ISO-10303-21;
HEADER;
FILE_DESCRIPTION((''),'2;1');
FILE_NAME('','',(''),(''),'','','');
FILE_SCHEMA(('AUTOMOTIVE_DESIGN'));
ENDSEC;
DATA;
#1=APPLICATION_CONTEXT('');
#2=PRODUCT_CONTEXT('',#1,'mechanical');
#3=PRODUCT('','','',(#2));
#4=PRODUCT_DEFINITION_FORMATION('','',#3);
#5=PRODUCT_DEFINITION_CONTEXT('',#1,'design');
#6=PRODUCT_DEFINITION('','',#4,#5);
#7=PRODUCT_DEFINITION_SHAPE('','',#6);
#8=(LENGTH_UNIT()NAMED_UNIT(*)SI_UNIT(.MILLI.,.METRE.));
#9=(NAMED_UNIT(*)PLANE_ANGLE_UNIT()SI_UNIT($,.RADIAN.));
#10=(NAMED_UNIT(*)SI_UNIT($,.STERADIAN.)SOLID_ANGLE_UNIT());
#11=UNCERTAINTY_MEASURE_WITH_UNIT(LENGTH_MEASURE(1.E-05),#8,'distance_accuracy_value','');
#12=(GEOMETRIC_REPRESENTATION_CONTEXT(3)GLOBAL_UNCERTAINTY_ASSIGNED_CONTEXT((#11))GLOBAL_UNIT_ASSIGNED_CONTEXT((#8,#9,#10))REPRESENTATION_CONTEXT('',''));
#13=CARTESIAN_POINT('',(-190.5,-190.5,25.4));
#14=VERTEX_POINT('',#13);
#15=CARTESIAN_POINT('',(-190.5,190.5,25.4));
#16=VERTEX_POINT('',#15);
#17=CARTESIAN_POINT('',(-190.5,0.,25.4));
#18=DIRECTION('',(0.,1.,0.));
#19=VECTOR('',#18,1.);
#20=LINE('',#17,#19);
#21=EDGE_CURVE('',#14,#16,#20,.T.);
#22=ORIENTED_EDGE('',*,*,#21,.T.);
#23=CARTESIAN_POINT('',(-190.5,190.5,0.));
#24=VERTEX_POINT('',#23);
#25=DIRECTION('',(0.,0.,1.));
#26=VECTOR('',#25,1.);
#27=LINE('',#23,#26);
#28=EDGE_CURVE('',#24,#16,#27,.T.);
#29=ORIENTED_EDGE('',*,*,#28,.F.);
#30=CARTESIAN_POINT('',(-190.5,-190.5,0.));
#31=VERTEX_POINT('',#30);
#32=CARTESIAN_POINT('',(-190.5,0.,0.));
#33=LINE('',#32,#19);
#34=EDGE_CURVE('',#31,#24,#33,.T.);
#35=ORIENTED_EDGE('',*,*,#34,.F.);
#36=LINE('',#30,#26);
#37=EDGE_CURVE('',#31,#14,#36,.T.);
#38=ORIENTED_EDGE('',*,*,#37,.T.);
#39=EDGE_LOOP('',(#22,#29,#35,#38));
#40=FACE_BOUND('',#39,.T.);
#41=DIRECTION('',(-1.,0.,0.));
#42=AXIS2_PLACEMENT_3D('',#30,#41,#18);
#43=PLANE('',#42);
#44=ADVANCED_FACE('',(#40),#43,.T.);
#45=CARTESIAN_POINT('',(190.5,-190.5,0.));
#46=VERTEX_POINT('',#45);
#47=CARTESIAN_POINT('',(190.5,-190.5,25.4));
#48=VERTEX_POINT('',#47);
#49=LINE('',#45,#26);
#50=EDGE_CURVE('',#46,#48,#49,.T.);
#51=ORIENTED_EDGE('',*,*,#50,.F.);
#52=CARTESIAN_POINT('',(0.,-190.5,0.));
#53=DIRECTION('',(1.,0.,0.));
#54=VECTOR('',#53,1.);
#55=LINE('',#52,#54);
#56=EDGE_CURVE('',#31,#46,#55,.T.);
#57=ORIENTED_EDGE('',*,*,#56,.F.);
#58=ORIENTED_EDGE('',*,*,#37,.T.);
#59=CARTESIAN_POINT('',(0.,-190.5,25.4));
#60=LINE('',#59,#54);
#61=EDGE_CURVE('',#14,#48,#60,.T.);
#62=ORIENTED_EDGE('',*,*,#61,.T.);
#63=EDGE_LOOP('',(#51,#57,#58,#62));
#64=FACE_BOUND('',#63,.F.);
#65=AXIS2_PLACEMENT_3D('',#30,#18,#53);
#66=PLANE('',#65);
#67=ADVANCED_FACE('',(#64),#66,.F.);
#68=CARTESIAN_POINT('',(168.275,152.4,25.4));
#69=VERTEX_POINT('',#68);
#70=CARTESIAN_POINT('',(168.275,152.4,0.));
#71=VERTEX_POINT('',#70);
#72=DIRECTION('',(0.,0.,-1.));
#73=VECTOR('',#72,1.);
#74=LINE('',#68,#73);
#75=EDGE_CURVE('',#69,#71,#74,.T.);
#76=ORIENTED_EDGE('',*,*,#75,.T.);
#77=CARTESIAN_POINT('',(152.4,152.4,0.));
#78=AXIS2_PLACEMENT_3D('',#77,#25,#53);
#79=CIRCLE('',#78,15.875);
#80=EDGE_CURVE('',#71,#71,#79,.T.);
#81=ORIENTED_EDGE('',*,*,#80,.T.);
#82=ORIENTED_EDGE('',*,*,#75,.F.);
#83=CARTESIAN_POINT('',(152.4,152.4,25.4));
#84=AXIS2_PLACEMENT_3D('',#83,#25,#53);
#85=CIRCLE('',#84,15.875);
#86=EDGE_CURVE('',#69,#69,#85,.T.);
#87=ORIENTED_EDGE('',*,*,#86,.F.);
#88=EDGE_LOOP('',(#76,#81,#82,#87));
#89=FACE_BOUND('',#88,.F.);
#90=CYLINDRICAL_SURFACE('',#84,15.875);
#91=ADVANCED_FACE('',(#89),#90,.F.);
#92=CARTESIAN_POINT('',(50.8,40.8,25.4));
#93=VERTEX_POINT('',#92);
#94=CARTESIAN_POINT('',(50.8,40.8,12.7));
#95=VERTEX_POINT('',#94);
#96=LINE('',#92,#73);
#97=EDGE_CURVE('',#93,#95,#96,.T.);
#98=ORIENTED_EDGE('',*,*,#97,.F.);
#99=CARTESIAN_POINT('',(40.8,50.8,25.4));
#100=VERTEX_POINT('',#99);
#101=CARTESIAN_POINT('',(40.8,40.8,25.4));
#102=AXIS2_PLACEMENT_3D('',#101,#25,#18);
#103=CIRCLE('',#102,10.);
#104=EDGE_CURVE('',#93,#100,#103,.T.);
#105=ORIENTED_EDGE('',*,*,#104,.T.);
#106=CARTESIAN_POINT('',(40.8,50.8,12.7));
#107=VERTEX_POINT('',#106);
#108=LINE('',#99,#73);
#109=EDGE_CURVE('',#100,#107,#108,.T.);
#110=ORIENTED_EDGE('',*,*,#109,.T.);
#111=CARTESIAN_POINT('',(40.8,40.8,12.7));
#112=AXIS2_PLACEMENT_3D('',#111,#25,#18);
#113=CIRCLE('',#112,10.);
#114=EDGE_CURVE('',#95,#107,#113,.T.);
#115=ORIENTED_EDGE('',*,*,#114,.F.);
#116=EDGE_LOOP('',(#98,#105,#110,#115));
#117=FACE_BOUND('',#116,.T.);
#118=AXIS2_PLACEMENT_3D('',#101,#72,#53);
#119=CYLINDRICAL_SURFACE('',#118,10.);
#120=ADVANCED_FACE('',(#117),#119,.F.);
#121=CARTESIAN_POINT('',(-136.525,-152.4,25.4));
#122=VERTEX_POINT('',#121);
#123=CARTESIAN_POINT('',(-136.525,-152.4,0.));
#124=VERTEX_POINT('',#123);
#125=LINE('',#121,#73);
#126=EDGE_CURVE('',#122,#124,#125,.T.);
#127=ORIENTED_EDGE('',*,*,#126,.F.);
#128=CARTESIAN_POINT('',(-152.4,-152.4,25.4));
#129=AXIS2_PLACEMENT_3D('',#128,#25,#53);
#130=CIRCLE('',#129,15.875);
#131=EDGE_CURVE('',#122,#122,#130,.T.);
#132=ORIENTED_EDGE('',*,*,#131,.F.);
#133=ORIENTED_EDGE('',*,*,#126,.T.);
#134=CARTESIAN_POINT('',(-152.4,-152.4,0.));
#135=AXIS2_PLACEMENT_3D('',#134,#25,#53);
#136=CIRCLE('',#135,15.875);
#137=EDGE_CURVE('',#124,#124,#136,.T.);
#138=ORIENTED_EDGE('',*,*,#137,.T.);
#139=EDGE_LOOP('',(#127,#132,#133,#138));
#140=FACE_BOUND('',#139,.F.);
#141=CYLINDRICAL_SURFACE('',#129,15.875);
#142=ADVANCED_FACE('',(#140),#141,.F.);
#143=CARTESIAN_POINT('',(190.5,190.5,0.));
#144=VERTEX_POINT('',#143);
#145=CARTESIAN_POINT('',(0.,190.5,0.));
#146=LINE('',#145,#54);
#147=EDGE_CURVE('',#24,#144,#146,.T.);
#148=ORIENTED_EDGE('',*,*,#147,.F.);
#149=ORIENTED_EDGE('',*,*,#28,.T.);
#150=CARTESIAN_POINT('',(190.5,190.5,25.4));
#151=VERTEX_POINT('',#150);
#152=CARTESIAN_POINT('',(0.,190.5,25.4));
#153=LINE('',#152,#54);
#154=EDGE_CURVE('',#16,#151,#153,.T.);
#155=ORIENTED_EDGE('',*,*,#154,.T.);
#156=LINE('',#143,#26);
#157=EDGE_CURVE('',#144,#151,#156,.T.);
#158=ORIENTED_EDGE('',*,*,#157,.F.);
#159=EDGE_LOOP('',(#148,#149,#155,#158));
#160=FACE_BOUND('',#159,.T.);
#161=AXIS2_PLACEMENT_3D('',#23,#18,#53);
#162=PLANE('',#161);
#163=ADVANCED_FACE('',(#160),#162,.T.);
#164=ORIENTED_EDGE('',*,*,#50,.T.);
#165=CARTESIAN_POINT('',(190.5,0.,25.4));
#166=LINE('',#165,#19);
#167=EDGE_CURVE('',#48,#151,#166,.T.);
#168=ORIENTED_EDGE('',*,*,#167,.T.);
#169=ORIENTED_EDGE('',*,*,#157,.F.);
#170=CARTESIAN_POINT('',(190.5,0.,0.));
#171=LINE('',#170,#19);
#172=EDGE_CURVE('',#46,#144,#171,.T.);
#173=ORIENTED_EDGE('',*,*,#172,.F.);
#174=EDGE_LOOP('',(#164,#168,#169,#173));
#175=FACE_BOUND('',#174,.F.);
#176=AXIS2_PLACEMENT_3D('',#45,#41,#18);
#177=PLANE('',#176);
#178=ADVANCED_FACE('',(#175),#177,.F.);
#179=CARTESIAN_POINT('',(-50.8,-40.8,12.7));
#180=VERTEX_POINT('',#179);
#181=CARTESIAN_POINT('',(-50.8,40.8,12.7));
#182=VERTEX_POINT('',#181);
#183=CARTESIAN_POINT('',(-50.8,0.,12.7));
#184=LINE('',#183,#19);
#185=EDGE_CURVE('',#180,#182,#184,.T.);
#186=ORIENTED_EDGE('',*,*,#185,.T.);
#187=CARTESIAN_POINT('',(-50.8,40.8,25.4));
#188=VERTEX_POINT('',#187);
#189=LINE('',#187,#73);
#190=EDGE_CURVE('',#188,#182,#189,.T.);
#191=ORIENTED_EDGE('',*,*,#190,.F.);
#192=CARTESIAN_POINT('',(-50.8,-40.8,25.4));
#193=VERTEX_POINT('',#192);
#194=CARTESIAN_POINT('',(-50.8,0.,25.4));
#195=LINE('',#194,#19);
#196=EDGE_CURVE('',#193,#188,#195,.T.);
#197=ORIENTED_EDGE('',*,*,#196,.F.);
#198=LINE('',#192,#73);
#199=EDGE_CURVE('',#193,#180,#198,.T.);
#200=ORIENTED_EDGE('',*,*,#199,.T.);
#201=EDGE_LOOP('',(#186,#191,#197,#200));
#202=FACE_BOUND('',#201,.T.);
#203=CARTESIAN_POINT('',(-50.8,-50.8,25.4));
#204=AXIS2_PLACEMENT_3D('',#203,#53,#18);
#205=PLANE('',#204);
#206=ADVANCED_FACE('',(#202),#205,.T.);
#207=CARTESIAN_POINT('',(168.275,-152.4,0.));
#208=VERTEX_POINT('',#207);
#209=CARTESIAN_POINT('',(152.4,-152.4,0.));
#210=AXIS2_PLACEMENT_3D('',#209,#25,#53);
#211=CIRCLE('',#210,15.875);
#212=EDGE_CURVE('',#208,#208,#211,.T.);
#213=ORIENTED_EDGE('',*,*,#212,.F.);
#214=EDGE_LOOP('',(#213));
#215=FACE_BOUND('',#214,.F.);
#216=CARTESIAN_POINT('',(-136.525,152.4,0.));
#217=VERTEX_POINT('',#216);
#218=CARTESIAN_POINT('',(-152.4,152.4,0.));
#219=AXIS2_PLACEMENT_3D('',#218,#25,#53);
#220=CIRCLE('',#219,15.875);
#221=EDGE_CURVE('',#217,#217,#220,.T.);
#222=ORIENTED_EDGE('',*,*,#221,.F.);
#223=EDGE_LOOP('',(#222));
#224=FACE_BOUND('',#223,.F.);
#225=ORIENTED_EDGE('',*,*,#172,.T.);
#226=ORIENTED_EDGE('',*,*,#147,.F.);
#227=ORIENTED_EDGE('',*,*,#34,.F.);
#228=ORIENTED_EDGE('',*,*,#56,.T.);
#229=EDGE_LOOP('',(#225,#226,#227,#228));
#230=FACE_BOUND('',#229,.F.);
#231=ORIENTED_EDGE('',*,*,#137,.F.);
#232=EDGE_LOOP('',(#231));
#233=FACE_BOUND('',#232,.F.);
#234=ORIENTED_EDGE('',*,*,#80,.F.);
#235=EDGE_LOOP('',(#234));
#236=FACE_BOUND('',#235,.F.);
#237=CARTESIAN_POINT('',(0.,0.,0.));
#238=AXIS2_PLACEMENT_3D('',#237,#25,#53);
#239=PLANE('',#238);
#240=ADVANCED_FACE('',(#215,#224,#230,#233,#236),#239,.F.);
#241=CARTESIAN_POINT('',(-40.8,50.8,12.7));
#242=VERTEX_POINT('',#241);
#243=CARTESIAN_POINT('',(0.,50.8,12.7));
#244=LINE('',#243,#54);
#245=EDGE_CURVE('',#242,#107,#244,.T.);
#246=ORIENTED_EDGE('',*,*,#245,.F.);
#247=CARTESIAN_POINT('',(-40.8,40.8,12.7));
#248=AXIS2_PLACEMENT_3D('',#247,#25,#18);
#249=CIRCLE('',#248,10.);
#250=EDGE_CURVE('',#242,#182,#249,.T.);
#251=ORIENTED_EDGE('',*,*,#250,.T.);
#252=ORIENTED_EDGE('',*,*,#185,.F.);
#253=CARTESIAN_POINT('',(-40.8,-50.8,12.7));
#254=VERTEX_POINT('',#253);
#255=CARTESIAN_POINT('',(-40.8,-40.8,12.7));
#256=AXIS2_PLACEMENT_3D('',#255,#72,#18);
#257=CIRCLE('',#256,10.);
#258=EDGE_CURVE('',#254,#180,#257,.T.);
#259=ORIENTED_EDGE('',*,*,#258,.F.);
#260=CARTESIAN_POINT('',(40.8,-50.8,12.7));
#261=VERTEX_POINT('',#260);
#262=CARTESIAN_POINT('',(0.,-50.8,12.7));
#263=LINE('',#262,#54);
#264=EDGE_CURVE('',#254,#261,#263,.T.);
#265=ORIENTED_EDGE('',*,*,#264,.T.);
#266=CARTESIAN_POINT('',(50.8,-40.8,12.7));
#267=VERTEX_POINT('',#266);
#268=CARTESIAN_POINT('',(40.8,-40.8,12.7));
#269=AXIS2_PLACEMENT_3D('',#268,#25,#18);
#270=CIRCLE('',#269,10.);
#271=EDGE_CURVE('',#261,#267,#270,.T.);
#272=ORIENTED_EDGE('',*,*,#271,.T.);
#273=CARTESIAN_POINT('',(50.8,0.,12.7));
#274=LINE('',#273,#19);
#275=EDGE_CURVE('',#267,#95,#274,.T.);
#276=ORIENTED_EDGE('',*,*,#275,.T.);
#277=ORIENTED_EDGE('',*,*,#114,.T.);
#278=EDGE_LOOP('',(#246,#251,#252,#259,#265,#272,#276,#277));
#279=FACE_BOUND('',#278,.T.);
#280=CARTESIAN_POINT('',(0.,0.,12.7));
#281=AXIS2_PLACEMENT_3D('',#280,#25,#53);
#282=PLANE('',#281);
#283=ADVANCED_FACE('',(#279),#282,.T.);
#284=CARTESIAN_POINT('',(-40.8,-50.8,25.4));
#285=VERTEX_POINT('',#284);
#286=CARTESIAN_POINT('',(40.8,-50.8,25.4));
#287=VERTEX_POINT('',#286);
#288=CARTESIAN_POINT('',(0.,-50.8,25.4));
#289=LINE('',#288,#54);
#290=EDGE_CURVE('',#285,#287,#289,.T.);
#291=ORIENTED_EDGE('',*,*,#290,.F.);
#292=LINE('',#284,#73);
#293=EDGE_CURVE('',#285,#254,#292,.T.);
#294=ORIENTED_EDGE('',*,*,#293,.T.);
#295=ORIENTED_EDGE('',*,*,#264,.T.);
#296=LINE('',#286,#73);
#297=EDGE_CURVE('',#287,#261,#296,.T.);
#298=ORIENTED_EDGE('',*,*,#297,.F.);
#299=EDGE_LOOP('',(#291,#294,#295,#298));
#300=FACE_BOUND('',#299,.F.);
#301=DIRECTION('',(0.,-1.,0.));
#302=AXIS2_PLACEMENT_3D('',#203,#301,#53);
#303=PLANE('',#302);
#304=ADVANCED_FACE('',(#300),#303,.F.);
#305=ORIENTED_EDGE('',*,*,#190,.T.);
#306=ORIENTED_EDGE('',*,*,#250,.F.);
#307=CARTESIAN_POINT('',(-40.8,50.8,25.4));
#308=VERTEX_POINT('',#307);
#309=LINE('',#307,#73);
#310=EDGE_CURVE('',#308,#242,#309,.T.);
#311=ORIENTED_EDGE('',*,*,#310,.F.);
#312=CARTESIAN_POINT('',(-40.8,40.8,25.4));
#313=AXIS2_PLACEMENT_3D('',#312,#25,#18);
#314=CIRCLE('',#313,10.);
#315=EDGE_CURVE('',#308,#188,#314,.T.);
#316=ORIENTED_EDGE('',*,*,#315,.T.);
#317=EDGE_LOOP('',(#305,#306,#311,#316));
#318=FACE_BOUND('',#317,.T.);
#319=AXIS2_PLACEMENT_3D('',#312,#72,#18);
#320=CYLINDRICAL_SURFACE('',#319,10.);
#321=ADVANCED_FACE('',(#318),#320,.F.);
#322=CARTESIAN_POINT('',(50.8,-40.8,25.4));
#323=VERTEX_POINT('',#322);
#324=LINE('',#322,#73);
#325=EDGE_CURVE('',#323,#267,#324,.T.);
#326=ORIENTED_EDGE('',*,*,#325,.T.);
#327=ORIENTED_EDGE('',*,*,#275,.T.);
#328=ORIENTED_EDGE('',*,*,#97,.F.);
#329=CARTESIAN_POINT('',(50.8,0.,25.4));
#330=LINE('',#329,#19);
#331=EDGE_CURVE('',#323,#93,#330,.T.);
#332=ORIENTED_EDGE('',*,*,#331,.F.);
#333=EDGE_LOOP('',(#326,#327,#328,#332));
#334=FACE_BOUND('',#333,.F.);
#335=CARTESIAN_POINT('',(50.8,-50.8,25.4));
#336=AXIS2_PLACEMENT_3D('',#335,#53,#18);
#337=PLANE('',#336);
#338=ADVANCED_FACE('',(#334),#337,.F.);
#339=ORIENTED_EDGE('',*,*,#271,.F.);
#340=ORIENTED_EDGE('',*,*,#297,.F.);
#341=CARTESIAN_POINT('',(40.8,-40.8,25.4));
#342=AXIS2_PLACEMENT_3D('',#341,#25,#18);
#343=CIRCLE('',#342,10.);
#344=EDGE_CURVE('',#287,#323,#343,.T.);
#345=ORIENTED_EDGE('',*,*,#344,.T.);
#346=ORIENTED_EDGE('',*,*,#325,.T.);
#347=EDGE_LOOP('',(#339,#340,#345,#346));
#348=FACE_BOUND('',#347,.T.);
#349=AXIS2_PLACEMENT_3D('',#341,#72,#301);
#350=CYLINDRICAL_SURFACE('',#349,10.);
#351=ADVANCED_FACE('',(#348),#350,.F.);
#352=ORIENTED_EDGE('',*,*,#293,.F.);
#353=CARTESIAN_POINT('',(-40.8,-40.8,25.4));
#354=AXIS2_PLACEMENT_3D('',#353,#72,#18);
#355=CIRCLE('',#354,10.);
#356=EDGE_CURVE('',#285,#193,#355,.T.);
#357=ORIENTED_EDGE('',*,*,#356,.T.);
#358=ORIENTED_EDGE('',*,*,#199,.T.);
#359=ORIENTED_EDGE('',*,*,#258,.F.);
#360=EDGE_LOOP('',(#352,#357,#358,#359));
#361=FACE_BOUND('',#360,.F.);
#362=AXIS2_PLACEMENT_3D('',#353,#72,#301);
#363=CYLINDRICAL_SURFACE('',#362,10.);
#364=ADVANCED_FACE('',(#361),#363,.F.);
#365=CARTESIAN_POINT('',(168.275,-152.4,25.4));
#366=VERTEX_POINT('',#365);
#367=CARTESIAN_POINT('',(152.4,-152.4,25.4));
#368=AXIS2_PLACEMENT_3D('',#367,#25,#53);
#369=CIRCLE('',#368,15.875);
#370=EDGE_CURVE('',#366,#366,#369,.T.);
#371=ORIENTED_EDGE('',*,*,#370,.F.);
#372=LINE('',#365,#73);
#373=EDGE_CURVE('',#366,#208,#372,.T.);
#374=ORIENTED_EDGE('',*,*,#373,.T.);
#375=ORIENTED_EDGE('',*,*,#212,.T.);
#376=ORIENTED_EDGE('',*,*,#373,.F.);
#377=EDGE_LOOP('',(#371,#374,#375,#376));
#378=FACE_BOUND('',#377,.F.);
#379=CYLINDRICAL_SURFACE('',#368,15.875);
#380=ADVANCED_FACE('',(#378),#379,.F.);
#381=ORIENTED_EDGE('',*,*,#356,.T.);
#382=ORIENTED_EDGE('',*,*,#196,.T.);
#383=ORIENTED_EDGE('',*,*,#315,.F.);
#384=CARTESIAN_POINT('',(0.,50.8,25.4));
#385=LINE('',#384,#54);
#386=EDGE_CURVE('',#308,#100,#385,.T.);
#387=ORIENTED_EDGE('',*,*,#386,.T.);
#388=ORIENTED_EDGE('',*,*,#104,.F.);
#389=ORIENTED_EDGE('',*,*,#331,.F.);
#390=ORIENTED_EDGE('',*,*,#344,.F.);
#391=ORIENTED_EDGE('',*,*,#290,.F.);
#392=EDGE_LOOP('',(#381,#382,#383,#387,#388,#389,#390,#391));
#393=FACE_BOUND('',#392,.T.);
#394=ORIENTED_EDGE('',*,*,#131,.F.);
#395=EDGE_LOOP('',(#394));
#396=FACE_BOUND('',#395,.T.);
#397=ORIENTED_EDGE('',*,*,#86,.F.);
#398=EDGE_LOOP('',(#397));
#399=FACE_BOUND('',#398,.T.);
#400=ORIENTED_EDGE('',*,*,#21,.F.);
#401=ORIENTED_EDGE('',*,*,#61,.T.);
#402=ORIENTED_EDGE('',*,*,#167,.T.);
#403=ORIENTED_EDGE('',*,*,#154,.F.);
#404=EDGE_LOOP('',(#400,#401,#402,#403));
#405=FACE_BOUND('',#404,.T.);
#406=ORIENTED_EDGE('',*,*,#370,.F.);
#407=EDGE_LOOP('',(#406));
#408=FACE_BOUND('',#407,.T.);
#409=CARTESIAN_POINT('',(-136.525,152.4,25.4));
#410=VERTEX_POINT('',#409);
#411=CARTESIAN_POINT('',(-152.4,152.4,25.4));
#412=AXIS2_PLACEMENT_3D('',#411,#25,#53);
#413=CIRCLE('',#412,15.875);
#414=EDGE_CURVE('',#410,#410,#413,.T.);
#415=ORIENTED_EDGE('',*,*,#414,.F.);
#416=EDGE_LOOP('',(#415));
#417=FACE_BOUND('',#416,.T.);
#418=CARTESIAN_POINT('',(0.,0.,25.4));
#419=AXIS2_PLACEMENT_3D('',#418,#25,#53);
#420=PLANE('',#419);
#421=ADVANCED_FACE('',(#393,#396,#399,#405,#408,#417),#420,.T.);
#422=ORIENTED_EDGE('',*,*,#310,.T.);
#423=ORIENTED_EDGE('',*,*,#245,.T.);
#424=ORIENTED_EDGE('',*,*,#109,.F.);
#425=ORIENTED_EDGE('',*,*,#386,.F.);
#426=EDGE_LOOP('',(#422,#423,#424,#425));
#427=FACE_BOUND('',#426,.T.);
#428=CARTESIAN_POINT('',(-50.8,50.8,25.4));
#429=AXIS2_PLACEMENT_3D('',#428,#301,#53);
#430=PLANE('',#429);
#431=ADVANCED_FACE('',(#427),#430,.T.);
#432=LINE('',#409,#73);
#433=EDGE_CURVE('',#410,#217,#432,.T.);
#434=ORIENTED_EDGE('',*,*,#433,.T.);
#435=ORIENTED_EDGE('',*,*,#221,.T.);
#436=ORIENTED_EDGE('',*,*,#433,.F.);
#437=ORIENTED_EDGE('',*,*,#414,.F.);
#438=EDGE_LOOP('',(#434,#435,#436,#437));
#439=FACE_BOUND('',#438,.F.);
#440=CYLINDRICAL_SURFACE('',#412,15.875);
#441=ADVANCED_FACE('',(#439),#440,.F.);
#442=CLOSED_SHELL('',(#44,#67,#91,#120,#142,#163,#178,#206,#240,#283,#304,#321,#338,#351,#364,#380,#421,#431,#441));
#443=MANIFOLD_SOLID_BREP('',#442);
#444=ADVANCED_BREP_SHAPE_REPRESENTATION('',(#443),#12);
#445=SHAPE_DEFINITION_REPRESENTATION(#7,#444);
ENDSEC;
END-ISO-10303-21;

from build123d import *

# Parameters (mm, degrees)
F0_W     = 381
F0_H     = 381
F1_DEPTH = 25.4
F2_W     = 101.6
F2_H     = 101.6
F3_DEPTH = 12.7
F4_R     = 10
F5_R     = 15.875
F6_DEPTH = 50


with BuildPart() as f1:
    # F0 (on Top) → F1 (new body)
    with BuildSketch(Plane.XY):
        Rectangle(F0_W, F0_H)
    extrude(amount=F1_DEPTH)

    # F2 (on face) → F3 (cut)
    with BuildSketch(Plane.XY.offset(25.4)):
        Rectangle(F2_W, F2_H)
    extrude(amount=-F3_DEPTH, mode=Mode.SUBTRACT)

    # F4
    f4_edges = [f1.edges().sort_by_distance(p)[0] for p in [
        (50.8, 50.8, 19.05),
        (-50.8, 50.8, 19.05),
        (-50.8, -50.8, 19.05),
        (50.8, -50.8, 19.05),
    ]]
    fillet(f4_edges, radius=F4_R)

    # F5 (on face) → F6 (cut)
    with BuildSketch(Plane.XY.offset(25.4)):
        with Locations((-152.4, -152.4)):
            Circle(F5_R)
        with Locations((-152.4, 152.4)):
            Circle(F5_R)
        with Locations((152.4, -152.4)):
            Circle(F5_R)
        with Locations((152.4, 152.4)):
            Circle(F5_R)
    extrude(amount=-F6_DEPTH, mode=Mode.SUBTRACT)


solid = f1.part
